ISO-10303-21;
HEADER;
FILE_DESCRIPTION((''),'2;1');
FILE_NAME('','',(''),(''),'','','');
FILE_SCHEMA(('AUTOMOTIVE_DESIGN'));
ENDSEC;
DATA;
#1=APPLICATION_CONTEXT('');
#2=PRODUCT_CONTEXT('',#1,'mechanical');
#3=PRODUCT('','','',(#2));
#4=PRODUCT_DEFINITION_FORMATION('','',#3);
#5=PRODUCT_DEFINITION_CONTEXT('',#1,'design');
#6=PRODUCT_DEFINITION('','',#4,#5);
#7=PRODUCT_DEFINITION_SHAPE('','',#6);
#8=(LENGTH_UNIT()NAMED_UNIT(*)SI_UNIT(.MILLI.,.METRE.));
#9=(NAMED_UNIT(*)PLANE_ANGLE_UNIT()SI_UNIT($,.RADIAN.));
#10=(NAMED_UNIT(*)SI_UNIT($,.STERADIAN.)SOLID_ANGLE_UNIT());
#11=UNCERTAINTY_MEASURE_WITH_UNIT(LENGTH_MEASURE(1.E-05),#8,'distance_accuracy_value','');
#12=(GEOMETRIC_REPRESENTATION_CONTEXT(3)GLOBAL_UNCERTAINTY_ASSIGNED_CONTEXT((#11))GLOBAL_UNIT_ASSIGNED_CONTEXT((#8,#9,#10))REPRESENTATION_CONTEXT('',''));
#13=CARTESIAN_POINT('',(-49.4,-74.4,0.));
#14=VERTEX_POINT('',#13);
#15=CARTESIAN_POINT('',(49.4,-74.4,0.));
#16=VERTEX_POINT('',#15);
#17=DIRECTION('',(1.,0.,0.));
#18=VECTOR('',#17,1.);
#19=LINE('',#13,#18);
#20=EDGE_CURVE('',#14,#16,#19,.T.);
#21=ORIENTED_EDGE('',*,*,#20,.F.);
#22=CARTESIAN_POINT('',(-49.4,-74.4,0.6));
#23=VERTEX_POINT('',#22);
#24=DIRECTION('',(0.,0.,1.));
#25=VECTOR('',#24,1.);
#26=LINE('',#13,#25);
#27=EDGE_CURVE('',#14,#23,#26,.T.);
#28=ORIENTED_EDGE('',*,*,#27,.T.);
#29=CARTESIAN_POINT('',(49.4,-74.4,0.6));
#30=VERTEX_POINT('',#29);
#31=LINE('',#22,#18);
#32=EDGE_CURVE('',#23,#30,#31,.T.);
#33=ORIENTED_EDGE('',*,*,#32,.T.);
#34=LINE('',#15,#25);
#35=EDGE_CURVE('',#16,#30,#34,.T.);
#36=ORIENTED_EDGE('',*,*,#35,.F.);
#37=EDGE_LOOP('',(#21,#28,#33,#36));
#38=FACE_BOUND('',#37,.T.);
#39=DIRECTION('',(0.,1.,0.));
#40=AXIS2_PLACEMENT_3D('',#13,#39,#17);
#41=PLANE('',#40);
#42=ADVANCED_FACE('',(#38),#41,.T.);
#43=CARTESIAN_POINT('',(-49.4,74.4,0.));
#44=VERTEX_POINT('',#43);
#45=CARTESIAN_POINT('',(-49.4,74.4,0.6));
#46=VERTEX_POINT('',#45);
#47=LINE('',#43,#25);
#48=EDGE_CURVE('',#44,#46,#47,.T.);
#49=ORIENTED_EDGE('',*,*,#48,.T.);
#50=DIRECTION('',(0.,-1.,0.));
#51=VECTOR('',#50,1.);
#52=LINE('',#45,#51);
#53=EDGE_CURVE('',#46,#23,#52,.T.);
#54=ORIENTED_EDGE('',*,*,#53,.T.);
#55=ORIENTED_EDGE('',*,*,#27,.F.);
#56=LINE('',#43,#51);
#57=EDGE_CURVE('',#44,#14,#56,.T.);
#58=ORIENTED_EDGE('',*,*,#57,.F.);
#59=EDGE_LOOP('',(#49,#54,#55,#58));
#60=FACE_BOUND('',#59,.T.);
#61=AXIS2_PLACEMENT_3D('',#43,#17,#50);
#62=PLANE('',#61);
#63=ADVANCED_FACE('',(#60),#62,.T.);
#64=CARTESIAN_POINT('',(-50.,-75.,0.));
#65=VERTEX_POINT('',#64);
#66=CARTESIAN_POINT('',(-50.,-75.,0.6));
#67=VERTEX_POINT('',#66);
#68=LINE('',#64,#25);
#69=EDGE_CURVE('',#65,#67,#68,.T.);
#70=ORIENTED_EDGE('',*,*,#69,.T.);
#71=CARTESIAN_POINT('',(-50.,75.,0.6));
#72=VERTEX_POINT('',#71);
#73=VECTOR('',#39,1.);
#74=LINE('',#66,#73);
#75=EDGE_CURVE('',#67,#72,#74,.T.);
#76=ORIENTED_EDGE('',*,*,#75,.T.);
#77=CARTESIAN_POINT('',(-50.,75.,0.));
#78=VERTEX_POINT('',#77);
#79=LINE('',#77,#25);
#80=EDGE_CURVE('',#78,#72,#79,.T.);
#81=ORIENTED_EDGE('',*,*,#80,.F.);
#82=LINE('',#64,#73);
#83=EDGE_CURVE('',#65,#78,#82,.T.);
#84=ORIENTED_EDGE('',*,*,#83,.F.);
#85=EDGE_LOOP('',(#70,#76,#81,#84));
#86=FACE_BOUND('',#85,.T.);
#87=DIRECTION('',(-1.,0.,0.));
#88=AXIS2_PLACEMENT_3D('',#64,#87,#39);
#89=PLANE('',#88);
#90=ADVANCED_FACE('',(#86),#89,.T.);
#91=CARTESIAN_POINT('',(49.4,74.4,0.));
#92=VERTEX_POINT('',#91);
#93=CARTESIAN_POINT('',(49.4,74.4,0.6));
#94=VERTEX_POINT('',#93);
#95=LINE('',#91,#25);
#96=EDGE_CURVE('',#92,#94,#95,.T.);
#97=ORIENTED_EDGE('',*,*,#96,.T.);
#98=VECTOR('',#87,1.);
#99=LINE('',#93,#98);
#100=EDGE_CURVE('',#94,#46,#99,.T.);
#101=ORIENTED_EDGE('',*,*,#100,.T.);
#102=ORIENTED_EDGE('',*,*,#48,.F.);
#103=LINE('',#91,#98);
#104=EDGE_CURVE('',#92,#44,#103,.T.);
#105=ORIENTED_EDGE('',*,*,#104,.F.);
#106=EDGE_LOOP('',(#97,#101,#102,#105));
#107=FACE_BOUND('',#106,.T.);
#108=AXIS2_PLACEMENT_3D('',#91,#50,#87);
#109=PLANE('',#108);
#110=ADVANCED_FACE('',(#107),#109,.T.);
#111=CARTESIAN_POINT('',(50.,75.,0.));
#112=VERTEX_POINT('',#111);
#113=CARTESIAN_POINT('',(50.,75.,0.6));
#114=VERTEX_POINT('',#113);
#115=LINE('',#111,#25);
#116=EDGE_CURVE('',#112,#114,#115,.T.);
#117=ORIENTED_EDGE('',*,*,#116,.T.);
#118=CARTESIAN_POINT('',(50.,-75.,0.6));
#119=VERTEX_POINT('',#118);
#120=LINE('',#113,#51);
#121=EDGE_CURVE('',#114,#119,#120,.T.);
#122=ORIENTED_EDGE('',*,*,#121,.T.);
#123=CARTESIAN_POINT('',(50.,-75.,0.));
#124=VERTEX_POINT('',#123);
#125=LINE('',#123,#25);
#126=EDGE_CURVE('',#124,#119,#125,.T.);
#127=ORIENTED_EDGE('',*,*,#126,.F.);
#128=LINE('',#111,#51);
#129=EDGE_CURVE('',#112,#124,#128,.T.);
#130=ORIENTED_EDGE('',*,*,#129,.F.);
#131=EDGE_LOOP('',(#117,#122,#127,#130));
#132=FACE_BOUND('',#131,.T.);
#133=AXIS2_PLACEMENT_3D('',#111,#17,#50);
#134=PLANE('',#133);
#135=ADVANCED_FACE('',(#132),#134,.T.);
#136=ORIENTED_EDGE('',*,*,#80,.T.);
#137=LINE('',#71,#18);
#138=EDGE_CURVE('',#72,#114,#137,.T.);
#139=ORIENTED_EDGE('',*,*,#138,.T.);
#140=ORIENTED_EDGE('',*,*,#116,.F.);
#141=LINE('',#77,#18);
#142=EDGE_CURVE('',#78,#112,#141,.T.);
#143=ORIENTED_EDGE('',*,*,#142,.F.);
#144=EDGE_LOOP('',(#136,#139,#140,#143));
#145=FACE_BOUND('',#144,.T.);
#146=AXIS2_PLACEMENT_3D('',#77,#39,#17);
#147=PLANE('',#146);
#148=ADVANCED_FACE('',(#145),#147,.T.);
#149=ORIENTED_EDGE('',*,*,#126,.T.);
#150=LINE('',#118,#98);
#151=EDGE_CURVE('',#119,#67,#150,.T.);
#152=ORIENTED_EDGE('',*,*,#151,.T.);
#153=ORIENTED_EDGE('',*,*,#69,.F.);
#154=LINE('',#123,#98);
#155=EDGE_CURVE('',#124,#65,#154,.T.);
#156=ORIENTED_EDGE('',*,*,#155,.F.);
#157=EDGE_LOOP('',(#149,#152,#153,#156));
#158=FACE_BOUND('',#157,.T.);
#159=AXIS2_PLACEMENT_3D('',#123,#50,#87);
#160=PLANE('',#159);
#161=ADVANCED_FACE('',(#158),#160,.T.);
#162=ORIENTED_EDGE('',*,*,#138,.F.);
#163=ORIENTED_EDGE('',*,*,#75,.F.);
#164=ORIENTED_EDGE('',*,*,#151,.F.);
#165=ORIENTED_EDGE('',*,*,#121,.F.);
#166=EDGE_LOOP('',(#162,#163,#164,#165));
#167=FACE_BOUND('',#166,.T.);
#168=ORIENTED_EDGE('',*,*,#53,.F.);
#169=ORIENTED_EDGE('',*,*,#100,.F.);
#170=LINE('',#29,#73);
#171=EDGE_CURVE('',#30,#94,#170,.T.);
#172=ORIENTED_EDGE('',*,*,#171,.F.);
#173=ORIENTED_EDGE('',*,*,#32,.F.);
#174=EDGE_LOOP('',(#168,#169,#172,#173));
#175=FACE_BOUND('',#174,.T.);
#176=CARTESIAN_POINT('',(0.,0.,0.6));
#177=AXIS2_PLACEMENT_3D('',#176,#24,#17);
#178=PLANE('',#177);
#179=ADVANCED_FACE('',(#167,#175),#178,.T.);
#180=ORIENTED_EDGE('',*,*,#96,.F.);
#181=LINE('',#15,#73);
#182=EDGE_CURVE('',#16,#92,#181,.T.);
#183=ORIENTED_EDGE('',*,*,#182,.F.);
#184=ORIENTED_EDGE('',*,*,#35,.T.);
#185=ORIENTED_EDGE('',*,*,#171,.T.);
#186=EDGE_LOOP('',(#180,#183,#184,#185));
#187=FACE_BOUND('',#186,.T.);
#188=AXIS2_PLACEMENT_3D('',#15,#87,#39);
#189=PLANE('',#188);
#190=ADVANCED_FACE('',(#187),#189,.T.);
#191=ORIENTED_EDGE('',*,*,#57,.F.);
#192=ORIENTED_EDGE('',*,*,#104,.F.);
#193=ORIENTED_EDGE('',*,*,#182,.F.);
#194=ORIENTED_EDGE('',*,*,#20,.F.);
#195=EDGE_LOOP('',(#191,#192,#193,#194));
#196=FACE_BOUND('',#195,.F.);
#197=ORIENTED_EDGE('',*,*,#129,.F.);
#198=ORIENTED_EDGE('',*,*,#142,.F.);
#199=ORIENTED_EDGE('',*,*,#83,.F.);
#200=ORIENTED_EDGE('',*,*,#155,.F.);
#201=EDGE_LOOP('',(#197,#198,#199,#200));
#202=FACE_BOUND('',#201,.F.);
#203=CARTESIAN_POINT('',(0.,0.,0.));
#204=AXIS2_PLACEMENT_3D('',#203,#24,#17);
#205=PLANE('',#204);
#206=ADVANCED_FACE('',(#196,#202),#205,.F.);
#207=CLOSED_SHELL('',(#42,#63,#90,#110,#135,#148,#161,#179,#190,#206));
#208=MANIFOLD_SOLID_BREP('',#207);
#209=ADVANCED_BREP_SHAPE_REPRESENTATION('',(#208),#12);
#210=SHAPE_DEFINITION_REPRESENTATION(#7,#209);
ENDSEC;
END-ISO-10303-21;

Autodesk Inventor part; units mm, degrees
ref_plane "YZ Plane" through (0, 0, 0) normal (1, 0, 0) x (0, 1, 0)
ref_plane "XZ Plane" through (0, 0, 0) normal (0, 1, 0) x (-1, 0, 0)
ref_plane "XY Plane" through (0, 0, 0) normal (0, 0, 1) x (1, 0, 0)
sketch "Sketch1" plane through (0, 0, 0) normal (0, 0, 1) x (1, 0, 0)
  line L0 (-50, 75) -> (50, 75)
  line L1 (50, 75) -> (50, -75)
  line L2 (50, -75) -> (-50, -75)
  line L3 (-50, -75) -> (-50, 75)
  line L4 (49.4, 74.4) -> (-49.4, 74.4)
  line L5 (-49.4, 74.4) -> (-49.4, -74.4)
  line L6 (-49.4, -74.4) -> (49.4, -74.4)
  line L7 (49.4, -74.4) -> (49.4, 74.4)
  point P0 (0, 0)
  point P1 (0, 75)
  point P2 (-50, 0)
  dimension "d0" = 150
  dimension "d1" = 100
  dimension "d2" = 0.6
extrude "Extrusion1" add sketch "Sketch1" along normal blind 0.6
properties part number "Patrat"
